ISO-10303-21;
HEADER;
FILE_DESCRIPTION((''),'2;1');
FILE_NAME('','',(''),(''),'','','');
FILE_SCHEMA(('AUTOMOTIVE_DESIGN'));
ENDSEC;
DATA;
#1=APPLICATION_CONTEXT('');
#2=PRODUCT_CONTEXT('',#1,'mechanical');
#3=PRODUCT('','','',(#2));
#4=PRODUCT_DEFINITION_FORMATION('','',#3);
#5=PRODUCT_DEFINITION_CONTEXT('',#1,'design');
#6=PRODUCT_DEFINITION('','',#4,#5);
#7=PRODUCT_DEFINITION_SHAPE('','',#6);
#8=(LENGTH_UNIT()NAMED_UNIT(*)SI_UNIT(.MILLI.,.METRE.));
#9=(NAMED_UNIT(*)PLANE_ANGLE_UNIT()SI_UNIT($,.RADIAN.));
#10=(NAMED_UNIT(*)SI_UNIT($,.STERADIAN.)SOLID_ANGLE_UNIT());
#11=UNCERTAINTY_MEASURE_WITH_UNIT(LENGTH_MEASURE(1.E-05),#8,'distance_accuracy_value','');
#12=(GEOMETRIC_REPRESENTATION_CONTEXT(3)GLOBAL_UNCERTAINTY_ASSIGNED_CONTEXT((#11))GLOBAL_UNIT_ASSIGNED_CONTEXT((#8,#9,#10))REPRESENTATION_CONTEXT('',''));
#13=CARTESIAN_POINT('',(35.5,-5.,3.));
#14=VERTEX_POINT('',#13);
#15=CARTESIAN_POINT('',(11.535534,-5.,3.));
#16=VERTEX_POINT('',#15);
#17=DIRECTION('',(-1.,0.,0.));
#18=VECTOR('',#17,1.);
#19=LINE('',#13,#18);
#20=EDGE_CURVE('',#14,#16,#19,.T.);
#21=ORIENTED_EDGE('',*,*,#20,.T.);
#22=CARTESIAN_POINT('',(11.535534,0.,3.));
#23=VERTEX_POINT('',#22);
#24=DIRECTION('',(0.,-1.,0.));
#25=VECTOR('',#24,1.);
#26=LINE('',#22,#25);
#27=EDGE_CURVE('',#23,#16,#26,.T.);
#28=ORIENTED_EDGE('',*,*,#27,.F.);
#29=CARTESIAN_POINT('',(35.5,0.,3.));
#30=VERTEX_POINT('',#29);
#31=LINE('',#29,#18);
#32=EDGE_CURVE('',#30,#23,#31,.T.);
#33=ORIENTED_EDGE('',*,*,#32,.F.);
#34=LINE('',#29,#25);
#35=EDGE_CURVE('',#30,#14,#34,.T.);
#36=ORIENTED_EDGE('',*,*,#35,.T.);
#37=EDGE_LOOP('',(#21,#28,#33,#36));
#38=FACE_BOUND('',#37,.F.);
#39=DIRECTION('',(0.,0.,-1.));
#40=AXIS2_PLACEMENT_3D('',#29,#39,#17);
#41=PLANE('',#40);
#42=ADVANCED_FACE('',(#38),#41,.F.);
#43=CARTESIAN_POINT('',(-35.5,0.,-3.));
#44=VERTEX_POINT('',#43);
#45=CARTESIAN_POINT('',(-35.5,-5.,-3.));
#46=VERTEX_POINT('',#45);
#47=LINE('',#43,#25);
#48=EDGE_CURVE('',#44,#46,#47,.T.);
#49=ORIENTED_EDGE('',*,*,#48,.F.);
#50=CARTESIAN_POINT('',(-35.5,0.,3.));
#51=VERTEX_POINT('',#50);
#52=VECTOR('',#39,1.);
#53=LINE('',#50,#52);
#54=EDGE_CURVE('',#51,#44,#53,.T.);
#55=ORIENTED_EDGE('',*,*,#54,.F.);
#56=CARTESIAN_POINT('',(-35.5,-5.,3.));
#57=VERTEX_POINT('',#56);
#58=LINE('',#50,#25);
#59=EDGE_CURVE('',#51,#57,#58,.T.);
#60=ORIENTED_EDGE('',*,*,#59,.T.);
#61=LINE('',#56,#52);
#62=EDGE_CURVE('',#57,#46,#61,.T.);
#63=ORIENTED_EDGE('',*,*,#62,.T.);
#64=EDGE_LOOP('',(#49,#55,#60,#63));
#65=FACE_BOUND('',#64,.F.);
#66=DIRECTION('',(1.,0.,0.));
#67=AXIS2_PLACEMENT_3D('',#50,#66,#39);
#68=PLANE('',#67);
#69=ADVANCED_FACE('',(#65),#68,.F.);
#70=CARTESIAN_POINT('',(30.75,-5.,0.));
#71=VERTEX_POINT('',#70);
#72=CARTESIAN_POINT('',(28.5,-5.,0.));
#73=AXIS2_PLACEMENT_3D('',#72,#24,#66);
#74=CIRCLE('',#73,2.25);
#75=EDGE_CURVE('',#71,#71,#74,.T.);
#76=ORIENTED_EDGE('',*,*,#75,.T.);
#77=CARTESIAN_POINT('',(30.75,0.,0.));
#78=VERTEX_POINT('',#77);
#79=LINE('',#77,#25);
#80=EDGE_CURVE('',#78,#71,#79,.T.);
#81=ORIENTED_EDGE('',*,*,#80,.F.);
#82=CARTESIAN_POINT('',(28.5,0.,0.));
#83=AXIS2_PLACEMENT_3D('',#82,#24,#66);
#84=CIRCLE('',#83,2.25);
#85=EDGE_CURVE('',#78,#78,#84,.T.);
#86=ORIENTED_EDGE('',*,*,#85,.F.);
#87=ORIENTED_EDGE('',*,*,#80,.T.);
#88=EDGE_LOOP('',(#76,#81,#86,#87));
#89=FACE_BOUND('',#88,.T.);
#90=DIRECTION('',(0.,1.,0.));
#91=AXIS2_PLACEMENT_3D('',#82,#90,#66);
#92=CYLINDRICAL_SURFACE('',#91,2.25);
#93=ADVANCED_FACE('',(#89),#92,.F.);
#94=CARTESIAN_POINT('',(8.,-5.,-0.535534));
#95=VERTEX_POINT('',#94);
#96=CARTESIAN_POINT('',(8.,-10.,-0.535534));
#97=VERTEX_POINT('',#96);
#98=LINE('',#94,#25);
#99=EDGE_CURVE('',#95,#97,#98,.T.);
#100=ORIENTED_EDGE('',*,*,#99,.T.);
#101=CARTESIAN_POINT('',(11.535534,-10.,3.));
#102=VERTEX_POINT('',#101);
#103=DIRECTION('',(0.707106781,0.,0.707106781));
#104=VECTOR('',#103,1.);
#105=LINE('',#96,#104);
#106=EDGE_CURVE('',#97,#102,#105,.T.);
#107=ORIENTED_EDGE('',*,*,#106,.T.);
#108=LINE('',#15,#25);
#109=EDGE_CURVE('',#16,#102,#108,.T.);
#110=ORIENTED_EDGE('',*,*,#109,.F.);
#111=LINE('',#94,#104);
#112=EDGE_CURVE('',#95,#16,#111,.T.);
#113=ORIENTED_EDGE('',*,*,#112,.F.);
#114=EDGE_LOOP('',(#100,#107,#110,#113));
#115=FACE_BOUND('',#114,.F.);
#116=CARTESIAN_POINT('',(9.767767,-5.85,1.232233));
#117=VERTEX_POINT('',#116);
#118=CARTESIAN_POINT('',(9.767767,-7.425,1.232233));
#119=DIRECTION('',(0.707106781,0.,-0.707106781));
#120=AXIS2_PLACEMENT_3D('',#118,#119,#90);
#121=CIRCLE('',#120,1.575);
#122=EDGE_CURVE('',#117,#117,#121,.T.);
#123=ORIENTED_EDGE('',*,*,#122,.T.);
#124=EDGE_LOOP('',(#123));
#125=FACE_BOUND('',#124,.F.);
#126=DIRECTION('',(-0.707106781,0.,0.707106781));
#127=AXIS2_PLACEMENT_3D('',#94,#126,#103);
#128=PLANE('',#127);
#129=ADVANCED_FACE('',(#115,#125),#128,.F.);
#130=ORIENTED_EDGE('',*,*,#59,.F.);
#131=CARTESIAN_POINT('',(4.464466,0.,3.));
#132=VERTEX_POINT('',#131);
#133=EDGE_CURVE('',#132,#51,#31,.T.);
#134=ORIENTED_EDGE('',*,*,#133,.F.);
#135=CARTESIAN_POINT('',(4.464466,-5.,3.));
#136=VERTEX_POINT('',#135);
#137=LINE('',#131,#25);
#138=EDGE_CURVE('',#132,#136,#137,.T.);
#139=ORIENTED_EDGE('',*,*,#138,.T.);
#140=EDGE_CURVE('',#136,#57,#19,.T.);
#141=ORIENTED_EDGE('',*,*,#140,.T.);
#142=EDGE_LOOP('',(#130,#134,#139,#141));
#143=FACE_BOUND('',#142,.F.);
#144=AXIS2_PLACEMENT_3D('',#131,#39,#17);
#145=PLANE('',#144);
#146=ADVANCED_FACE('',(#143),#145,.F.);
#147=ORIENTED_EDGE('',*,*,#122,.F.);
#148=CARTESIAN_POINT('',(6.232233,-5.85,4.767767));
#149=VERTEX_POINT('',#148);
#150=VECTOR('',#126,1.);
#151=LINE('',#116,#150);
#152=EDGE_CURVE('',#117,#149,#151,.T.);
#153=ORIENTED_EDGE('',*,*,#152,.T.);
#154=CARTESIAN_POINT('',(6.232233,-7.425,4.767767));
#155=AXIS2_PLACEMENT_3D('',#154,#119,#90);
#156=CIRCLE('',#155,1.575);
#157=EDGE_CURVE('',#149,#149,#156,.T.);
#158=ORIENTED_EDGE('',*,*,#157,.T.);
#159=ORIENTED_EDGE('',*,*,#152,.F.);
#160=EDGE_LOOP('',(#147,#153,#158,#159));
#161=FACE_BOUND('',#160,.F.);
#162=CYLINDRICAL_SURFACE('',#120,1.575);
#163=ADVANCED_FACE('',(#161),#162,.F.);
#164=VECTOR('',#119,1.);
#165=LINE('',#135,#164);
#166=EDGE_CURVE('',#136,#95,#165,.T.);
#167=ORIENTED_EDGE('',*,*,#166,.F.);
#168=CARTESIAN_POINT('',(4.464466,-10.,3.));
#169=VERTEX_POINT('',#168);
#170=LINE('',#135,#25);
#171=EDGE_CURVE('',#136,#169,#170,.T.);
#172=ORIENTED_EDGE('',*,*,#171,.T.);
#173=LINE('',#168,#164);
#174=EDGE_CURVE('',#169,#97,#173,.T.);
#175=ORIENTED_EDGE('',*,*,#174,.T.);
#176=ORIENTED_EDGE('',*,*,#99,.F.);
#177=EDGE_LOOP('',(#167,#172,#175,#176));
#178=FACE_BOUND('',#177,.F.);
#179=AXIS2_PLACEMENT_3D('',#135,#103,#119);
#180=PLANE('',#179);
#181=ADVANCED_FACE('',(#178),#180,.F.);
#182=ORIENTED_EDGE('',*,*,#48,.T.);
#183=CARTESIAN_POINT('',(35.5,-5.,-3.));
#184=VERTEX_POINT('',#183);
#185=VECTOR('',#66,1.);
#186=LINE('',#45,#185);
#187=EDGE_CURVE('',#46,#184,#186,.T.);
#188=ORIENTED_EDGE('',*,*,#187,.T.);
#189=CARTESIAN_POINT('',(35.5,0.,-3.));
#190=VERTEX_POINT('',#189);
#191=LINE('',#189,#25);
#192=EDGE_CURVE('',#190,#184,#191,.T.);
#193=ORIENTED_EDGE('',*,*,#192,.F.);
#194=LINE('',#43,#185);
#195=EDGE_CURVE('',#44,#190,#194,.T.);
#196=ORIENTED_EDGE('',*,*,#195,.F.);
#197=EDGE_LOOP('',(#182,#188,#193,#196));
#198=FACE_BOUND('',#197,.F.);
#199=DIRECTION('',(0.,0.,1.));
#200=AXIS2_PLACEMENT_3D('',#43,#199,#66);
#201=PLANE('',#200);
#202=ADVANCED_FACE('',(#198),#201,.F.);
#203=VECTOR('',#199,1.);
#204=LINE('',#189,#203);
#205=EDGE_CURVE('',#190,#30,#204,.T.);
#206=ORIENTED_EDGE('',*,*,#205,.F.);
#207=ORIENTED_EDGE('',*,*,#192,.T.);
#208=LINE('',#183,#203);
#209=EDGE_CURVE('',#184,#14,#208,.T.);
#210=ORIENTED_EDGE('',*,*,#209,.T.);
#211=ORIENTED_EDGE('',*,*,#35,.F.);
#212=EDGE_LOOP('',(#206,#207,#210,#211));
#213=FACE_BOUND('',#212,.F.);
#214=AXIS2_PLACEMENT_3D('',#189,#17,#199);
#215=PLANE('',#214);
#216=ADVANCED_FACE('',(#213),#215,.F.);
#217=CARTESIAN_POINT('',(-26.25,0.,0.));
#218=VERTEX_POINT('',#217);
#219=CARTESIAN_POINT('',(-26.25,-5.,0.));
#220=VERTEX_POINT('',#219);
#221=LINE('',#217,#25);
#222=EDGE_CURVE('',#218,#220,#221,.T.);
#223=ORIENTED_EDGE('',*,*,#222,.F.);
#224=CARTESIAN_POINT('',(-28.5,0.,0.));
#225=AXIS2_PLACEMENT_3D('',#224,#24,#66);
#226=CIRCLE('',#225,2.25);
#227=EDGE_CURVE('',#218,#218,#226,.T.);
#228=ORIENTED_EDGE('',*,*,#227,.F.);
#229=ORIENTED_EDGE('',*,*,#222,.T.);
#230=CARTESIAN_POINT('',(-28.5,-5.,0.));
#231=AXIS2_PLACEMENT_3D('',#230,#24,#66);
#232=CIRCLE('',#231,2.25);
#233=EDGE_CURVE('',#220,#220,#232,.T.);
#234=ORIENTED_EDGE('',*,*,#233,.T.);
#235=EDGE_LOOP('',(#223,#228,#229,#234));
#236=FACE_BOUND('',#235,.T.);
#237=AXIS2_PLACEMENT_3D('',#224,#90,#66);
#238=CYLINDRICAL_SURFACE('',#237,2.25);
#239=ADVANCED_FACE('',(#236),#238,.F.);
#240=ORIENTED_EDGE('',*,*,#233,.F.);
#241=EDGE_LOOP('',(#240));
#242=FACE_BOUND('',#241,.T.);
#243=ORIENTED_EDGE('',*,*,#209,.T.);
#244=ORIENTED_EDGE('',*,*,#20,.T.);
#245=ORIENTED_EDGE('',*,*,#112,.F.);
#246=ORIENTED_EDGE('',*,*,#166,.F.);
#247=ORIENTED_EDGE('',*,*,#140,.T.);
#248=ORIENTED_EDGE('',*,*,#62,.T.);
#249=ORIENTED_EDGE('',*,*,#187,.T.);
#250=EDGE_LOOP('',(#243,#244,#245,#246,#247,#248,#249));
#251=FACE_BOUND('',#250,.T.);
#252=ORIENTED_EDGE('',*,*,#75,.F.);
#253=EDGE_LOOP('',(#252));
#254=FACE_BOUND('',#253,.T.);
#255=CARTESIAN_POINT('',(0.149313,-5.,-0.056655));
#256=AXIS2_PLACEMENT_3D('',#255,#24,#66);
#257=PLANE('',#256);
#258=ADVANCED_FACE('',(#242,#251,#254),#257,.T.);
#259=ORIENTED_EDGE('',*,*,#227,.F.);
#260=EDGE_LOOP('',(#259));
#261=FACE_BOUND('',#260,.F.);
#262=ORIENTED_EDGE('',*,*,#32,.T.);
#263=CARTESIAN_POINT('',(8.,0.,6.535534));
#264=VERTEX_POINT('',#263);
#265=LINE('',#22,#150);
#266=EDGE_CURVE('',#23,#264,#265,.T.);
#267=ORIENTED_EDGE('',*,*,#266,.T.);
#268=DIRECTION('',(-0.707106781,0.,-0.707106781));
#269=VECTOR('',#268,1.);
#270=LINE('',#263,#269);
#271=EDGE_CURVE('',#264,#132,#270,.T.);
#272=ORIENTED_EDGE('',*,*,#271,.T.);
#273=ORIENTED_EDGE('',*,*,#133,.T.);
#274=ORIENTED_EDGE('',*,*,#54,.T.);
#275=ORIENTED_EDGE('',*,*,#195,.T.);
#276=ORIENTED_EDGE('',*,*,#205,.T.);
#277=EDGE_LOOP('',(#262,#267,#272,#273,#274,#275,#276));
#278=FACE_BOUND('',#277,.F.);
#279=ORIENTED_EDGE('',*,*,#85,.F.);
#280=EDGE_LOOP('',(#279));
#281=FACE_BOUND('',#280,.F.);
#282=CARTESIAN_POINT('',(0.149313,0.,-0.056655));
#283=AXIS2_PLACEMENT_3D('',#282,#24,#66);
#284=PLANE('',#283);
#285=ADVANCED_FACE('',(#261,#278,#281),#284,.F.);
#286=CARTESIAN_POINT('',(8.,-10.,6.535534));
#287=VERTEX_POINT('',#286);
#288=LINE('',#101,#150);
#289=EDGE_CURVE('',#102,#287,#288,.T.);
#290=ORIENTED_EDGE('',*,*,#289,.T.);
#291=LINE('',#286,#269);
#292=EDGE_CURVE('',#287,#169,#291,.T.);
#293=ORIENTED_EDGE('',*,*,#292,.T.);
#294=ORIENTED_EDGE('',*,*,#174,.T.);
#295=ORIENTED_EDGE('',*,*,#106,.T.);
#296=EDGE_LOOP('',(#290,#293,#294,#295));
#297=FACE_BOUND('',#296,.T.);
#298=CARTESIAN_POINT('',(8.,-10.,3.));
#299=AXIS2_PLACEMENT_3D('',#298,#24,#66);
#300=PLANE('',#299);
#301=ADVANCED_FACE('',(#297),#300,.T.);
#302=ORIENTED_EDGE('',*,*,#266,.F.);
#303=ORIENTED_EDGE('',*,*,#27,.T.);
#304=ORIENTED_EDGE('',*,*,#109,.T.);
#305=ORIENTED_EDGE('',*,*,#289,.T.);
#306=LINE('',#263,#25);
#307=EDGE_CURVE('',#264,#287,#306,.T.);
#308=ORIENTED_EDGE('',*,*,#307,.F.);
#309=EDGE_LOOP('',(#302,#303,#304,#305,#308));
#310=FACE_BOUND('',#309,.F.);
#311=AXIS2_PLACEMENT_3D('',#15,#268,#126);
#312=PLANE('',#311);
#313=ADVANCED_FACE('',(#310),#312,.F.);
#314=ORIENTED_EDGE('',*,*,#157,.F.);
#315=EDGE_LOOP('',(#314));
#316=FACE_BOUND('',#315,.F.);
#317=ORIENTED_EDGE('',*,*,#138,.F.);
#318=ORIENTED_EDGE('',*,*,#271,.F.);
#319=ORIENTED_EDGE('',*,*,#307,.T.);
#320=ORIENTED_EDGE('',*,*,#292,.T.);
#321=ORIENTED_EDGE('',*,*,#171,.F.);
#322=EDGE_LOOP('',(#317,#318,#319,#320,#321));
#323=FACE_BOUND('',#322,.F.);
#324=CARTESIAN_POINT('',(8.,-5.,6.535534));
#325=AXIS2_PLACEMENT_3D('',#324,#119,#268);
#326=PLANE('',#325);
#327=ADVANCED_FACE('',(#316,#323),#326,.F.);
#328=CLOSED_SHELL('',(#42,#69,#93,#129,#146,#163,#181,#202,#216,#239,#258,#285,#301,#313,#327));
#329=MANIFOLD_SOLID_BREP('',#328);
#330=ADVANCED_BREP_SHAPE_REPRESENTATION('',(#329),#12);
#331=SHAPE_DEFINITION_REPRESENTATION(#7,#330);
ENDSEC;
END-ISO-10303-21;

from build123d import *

# Parameters (mm, degrees)
F0_R     = 2.25
F1_DEPTH = 5
F3_DEPTH = 5
F4_R     = 1.575
F5_DEPTH = 35.7601449816


with BuildPart() as f1:
    # F0 (on Front) → F1 (new body)
    with BuildSketch(Plane.XZ):
        Polygon((35.5, -3), (35.5, 3), (11.5355339059, 3), (8, -0.5355339059), (4.4644660941, 3), (-35.5, 3), (-35.5, -3), align=None)
        with Locations((-28.5, 0)):
            Circle(F0_R, mode=Mode.SUBTRACT)
        with Locations((28.5, 0)):
            Circle(F0_R, mode=Mode.SUBTRACT)
        Polygon((8, -0.5355339059), (11.5355339059, 3), (4.4644660941, 3), align=None)
        Polygon((4.4644660941, 3), (11.5355339059, 3), (8, 6.5355339059), align=None)
    extrude(amount=F1_DEPTH)

    # F2 (on face) → F3 (join)
    with BuildSketch(Plane.XZ.offset(5)):
        Polygon((11.5355339059, 3), (8, 6.5355339059), (4.4644660941, 3), (8, -0.5355339059), align=None)
    extrude(amount=F3_DEPTH)

    # F4 (on face) → F5 (cut, through all)
    with BuildSketch(Plane(origin=(4.267766953, 0, -4.267766953), x_dir=(0, 1, 0), z_dir=(0.7071067812, 0, -0.7071067812))):
        with Locations((-7.425, 7.7781745931)):
            Circle(F4_R)
    extrude(amount=-F5_DEPTH, mode=Mode.SUBTRACT)


solid = f1.part
